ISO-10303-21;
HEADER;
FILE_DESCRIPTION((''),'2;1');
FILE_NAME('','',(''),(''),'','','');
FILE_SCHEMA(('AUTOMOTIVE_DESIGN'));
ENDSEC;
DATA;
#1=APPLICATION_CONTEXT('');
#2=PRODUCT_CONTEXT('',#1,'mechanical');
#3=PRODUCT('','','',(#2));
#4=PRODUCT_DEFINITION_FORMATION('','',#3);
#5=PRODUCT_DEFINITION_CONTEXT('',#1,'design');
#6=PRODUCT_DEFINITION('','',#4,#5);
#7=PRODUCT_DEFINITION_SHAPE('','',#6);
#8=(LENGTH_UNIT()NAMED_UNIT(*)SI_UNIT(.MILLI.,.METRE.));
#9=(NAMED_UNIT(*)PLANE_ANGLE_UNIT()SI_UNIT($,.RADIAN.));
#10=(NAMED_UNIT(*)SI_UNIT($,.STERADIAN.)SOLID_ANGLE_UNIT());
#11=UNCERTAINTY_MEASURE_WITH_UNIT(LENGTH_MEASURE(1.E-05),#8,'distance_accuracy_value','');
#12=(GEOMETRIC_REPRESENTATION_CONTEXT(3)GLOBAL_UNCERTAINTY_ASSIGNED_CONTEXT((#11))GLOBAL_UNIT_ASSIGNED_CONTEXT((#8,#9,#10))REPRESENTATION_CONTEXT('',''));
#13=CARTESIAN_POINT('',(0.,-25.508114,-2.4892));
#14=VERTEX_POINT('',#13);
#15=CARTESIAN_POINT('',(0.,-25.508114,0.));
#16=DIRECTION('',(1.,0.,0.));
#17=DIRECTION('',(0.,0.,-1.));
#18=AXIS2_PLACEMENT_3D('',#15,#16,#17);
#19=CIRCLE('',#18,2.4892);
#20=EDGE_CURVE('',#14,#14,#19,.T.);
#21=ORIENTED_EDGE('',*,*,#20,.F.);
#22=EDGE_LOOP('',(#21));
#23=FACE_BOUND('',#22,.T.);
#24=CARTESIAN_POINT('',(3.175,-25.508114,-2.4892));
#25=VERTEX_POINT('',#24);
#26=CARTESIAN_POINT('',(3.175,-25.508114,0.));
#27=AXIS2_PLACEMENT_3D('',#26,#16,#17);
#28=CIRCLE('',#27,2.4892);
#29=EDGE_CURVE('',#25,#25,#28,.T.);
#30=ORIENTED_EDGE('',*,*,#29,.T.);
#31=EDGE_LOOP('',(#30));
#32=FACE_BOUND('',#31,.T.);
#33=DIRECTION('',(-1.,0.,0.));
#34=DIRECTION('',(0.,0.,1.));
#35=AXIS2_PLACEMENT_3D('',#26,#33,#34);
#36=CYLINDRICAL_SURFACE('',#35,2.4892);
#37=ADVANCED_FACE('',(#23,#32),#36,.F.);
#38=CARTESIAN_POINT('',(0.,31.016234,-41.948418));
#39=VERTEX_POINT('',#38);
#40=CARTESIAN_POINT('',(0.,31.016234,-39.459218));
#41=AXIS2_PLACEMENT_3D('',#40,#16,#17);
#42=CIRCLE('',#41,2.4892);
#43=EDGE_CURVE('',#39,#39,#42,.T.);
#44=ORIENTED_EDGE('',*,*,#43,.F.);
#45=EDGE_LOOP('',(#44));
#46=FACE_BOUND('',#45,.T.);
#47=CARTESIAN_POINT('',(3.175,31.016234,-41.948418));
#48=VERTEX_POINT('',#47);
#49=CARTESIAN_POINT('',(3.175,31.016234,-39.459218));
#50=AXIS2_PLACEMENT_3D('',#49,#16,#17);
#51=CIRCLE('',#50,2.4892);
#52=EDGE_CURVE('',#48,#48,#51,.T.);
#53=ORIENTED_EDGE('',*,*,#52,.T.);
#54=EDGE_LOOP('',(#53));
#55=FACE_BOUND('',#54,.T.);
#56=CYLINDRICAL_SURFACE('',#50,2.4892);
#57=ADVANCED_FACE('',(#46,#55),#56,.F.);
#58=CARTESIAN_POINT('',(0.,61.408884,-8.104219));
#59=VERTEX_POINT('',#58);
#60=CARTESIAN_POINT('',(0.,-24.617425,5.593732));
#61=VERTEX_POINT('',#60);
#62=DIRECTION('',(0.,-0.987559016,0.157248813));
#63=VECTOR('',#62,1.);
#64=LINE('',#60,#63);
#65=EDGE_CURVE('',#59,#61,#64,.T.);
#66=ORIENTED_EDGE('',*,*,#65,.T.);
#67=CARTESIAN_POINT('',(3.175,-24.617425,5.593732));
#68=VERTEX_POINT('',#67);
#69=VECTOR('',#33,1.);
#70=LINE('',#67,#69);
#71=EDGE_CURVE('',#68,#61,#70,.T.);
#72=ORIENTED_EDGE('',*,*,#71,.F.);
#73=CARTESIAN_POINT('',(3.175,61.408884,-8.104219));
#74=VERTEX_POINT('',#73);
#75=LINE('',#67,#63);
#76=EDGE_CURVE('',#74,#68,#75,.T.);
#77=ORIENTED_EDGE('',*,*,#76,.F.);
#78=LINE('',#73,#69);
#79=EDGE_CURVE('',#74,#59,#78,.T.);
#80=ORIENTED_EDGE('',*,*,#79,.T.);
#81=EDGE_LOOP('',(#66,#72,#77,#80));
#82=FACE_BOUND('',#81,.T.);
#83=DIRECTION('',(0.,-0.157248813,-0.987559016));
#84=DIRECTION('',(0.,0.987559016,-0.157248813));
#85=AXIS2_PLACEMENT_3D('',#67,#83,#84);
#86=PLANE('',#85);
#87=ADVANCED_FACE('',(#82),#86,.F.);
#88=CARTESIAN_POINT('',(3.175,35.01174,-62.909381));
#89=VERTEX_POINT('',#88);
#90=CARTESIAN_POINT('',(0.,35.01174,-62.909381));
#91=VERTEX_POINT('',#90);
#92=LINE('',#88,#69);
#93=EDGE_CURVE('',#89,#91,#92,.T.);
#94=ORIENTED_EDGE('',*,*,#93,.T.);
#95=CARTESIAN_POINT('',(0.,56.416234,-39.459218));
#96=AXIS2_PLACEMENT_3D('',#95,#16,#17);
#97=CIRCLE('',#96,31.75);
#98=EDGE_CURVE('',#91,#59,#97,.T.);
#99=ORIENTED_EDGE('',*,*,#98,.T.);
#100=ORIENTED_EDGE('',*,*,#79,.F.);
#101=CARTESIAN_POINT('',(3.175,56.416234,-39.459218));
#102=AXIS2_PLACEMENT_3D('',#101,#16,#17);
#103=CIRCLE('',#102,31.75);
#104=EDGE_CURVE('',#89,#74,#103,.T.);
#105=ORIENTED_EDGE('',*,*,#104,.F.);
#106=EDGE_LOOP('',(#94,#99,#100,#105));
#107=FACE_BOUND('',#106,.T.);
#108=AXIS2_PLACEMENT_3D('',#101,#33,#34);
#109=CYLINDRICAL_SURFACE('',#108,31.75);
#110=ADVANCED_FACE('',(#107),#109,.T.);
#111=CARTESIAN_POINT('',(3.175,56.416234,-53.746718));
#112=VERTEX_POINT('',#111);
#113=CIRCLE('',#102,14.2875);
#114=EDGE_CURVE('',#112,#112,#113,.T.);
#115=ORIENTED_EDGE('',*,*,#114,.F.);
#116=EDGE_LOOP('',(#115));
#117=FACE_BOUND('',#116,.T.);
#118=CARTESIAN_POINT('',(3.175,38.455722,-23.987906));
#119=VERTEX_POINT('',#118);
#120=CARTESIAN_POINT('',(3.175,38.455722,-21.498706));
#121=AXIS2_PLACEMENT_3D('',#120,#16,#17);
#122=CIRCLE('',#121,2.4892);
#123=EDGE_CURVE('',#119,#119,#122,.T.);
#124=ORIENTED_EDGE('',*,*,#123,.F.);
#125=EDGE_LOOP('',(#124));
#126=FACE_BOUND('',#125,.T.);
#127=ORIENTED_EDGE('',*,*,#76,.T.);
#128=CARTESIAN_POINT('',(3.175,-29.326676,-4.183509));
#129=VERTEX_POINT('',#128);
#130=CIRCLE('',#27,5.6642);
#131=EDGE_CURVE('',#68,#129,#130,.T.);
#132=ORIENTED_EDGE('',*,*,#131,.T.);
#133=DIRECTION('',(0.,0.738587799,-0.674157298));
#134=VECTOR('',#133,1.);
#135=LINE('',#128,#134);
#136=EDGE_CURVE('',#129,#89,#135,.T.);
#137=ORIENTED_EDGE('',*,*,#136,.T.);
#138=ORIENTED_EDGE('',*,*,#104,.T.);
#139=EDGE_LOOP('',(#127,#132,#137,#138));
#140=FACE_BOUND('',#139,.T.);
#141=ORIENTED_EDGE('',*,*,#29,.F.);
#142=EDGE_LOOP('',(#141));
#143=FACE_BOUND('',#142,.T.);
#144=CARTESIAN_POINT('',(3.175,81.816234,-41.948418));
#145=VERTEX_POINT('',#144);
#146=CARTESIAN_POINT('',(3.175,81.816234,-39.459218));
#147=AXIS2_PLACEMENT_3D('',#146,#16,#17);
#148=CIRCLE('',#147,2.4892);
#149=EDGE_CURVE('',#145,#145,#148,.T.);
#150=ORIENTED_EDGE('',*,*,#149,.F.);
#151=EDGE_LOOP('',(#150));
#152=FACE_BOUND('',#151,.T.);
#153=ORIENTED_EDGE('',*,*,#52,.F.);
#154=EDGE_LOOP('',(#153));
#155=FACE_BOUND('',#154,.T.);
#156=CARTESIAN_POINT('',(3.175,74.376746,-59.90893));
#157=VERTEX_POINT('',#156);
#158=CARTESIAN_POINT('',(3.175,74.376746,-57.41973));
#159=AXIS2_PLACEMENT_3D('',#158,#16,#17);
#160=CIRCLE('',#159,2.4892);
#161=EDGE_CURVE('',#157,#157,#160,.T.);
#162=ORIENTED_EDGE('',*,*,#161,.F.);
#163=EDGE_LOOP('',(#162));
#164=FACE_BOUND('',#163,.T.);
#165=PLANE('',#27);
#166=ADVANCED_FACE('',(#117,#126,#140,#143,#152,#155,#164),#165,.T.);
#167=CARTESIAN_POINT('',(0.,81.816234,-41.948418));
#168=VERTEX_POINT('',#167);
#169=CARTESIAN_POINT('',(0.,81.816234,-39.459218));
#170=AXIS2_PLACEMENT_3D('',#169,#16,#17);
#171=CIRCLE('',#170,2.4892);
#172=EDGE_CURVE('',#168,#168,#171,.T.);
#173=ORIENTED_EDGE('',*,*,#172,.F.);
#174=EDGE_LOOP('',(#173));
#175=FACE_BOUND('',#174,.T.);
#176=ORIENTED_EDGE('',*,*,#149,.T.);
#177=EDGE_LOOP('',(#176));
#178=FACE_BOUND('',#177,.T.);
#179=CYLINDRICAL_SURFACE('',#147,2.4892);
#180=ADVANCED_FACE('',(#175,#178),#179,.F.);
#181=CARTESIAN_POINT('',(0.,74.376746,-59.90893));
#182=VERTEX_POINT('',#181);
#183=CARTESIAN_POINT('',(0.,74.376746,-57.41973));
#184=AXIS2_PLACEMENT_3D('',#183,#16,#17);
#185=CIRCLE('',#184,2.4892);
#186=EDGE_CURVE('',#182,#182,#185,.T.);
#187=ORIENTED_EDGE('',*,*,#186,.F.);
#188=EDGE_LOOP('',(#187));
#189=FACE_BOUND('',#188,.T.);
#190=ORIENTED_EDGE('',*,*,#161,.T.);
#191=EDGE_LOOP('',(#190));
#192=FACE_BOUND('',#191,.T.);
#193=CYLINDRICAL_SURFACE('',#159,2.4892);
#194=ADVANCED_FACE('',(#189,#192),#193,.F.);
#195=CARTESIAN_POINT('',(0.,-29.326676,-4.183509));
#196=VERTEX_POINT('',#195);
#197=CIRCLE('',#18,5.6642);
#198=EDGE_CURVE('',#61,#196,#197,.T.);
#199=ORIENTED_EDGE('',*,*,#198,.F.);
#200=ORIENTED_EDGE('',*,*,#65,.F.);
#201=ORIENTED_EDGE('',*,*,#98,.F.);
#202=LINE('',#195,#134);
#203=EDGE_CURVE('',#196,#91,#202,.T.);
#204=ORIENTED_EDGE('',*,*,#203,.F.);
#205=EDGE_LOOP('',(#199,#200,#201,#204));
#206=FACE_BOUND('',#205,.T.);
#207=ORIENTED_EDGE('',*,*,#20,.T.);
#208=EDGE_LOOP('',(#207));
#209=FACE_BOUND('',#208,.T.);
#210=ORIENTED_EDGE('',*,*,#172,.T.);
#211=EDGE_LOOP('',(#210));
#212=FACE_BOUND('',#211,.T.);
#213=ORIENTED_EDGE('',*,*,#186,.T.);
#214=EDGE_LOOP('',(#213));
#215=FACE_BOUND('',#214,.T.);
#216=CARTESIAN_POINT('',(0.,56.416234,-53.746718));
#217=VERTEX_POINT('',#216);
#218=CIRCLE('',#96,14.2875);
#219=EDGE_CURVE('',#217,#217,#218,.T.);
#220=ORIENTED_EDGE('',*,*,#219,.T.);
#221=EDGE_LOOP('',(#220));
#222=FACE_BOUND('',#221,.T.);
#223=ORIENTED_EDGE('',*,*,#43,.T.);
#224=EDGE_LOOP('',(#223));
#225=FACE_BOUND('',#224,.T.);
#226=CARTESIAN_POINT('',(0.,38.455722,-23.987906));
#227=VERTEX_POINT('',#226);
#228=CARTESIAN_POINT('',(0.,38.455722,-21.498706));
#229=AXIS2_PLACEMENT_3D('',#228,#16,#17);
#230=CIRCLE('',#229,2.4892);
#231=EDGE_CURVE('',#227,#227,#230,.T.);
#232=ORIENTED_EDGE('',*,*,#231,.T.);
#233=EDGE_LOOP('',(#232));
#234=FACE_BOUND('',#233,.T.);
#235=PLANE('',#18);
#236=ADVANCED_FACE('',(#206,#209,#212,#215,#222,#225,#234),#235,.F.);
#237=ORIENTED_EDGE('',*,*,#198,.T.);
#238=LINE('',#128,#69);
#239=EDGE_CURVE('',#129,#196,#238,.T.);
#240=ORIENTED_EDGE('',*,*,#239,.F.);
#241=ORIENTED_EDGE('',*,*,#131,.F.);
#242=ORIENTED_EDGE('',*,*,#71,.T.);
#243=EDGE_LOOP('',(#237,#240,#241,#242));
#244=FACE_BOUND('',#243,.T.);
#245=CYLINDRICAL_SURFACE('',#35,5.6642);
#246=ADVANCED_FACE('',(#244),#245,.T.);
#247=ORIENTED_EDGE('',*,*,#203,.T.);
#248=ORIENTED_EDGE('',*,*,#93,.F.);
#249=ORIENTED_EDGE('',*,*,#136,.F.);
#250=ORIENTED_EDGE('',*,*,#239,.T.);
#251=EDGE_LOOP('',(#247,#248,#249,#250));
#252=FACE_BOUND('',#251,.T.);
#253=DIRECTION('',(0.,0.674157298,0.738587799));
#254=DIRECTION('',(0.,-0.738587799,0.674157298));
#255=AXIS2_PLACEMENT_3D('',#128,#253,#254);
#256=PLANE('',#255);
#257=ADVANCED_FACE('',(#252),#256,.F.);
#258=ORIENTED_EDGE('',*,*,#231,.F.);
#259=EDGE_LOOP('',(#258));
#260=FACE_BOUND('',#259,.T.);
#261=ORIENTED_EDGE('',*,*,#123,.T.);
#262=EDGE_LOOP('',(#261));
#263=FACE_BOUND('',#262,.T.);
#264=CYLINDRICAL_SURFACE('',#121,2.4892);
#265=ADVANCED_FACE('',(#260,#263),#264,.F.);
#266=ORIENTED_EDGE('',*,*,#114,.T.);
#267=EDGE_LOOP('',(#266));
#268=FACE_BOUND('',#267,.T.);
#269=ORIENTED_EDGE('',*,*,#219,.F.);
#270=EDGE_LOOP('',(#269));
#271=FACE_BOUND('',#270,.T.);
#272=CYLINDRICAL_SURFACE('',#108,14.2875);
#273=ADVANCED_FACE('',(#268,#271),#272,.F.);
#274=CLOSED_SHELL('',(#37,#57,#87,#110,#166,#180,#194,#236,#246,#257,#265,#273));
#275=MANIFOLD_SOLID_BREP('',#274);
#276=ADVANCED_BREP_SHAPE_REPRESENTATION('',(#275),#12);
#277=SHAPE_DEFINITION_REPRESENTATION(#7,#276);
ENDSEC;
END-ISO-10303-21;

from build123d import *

# Parameters (mm, degrees)
SKETCH2_R                  = 14.2875
SKETCH2_R_2                = 2.4892
BOSS_EXTRUDE1_DEPTH        = 3.175
F_9_0_196_DIAMETER_HOLE1_D = 4.9784


with BuildPart() as part:
    # Sketch2 → Boss-Extrude1 (new body)
    with BuildSketch(Plane.YZ):
        with BuildLine():
            Line((-29.326675554, -4.183509014), (35.011739717, -62.909380508))
            ThreePointArc((35.011739717, -62.909380508), (85.021103942, -53.236877748), (61.408883727, -8.104219103))
            Line((61.408883727, -8.104219103), (-24.617425063, 5.593731781))
            ThreePointArc((-24.617425063, 5.593731781), (-30.611222597, 2.457934521), (-29.326675554, -4.183509014))
        make_face()
        with Locations(Location((56.416233929, -39.459217876, 0), (0, 0, 270))):
            Circle(SKETCH2_R, mode=Mode.SUBTRACT)
        with Locations(Location((-25.508113787, 0, 0), (0, 0, 270))):
            Circle(SKETCH2_R_2, mode=Mode.SUBTRACT)
    extrude(amount=BOSS_EXTRUDE1_DEPTH)

    # #9 (0.196) Diameter Hole1 (through all)
    with Locations(Plane.YZ.offset(3.175)):
        with Locations((81.816233929, -39.459217876), (74.376746171, -57.419730118), (31.016233929, -39.459217876), (38.455721687, -21.498705633)):
            Hole(F_9_0_196_DIAMETER_HOLE1_D / 2)


solid = part.part
